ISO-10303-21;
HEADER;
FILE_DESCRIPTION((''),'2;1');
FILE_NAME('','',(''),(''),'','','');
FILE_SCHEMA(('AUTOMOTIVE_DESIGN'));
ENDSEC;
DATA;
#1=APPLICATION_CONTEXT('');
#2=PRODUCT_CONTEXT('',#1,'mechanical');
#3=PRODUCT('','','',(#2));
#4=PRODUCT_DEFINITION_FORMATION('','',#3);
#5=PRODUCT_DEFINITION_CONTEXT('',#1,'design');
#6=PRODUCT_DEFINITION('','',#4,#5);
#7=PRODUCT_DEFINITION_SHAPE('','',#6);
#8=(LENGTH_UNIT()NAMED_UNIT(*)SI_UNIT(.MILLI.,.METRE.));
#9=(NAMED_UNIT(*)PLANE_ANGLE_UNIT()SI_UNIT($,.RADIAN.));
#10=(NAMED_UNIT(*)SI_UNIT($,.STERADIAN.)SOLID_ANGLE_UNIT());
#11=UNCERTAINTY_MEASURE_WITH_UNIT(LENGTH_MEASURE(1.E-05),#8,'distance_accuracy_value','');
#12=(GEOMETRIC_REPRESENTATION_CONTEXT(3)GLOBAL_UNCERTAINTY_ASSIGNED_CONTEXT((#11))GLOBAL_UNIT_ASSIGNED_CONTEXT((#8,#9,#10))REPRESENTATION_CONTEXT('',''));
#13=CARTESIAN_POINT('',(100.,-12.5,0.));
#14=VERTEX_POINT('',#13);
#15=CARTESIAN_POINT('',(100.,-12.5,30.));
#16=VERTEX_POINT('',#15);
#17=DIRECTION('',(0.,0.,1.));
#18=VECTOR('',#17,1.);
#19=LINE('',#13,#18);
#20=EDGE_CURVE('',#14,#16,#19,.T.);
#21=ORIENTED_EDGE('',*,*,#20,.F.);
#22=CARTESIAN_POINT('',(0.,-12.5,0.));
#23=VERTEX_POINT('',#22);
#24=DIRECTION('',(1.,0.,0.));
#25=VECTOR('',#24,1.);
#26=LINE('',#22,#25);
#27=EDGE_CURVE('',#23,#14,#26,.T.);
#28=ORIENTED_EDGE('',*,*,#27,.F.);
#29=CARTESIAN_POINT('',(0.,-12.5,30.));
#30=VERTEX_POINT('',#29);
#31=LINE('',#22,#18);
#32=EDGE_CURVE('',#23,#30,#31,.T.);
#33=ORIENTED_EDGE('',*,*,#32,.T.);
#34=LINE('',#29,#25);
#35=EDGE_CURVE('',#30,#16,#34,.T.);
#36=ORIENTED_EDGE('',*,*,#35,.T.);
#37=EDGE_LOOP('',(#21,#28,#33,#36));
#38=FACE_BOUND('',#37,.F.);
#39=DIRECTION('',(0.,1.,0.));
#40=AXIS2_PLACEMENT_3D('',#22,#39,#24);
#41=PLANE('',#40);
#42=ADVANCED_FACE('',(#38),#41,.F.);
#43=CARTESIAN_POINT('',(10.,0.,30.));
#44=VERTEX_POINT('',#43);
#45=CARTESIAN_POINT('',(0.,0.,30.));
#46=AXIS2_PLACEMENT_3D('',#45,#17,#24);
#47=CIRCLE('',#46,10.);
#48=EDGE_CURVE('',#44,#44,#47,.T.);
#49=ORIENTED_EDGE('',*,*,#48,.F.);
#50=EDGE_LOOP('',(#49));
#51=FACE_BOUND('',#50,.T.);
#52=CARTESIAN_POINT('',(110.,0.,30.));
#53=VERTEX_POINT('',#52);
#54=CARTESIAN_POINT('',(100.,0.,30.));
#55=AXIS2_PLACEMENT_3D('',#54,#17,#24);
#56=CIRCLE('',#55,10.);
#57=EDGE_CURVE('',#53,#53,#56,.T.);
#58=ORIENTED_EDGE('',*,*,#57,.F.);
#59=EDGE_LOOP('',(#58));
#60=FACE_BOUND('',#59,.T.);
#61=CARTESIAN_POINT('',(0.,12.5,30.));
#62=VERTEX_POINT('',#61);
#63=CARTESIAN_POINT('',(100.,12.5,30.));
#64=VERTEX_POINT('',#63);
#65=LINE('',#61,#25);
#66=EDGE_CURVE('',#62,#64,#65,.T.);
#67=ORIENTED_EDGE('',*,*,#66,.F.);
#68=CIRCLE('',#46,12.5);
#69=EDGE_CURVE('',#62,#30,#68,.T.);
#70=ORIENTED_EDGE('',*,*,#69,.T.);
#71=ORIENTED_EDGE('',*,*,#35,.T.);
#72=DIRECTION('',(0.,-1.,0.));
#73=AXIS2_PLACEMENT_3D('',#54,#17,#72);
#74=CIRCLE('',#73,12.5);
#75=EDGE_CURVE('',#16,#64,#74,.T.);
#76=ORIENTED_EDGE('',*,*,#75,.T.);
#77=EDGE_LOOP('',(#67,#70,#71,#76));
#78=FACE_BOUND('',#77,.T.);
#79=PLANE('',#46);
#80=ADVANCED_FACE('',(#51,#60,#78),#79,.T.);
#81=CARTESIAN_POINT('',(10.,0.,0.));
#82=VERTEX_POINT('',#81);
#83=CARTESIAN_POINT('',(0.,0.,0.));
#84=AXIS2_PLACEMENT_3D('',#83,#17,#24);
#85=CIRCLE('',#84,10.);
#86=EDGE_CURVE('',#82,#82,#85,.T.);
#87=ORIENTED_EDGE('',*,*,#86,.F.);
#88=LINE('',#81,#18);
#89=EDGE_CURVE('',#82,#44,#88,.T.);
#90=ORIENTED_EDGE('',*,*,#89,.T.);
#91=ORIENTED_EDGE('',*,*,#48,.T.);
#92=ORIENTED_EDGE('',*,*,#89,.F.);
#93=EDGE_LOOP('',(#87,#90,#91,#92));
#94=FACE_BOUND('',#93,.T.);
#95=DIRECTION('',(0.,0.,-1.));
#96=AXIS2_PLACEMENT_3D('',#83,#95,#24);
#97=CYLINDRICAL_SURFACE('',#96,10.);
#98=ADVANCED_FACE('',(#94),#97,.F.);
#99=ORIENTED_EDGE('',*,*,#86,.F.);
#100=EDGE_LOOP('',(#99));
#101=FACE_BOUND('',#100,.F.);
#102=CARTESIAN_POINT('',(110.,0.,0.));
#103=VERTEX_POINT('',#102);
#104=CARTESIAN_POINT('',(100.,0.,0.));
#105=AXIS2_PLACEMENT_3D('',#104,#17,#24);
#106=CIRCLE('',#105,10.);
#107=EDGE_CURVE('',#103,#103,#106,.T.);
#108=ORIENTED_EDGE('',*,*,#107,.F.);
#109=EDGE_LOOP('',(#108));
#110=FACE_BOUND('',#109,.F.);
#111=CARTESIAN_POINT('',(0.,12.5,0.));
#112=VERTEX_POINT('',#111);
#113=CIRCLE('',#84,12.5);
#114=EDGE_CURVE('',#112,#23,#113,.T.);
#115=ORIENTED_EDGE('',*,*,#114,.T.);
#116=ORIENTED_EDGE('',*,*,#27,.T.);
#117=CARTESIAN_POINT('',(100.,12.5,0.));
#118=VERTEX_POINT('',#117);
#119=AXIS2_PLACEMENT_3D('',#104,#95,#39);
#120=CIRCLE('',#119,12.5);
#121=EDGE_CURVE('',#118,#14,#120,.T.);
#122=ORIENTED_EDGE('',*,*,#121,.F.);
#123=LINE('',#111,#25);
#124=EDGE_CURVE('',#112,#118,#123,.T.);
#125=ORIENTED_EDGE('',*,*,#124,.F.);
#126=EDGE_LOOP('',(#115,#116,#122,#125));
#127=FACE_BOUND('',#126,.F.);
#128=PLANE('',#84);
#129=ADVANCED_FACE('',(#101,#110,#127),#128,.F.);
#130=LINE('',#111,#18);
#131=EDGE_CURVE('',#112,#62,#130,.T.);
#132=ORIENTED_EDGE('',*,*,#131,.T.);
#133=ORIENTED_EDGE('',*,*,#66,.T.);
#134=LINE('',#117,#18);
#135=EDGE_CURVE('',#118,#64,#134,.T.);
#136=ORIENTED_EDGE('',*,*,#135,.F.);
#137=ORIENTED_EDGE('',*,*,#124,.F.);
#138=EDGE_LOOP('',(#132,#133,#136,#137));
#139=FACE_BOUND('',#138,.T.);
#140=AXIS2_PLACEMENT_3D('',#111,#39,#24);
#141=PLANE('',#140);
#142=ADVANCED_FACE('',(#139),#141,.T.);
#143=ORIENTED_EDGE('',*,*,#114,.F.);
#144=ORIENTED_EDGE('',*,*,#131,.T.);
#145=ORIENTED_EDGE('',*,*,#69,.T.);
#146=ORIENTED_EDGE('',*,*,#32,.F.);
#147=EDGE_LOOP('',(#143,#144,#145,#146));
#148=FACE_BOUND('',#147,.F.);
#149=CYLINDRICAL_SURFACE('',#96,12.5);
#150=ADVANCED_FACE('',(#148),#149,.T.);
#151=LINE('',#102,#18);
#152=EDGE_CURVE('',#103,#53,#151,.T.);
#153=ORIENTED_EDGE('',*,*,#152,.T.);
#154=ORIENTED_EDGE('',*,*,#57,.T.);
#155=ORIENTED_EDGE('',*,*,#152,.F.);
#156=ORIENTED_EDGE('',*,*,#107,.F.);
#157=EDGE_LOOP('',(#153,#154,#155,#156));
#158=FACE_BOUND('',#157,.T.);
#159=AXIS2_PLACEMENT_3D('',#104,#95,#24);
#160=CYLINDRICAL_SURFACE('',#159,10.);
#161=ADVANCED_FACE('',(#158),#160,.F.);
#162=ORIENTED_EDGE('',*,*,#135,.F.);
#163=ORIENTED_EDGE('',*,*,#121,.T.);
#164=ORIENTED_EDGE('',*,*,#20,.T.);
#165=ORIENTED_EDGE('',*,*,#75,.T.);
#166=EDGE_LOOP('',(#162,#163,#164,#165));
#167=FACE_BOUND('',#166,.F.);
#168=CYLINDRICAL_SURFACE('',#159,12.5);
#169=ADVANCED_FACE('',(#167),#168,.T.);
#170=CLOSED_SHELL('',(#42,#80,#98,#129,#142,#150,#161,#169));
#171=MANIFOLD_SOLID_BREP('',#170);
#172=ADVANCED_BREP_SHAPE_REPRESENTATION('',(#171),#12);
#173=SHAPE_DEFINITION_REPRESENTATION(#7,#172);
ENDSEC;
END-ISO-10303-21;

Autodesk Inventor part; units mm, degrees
ref_plane "YZ Plane" through (0, 0, 0) normal (1, 0, 0) x (0, 1, 0)
ref_plane "XZ Plane" through (0, 0, 0) normal (0, 1, 0) x (-1, 0, 0)
ref_plane "XY Plane" through (0, 0, 0) normal (0, 0, 1) x (1, 0, 0)
sketch "Boceto1" plane through (0, 0, 0) normal (0, 0, 1) x (1, 0, 0)
  circle A0 centre (0, 0) radius 10
  circle A1 centre (100, 0) radius 10
  circle A2 centre (0, 0) radius 12.5
  circle A3 centre (100, 0) radius 12.5
  line L0 (0, 12.5) -> (100, 12.5)
  line L1 (0, -12.5) -> (100, -12.5)
  dimension "d0" = 20
  dimension "d1" = 20
  dimension "d2" = 25
  dimension "d3" = 25
  dimension "d4" = 100
extrude "Extrusión1" add sketch "Boceto1" along normal blind 30
properties part number "codo"
